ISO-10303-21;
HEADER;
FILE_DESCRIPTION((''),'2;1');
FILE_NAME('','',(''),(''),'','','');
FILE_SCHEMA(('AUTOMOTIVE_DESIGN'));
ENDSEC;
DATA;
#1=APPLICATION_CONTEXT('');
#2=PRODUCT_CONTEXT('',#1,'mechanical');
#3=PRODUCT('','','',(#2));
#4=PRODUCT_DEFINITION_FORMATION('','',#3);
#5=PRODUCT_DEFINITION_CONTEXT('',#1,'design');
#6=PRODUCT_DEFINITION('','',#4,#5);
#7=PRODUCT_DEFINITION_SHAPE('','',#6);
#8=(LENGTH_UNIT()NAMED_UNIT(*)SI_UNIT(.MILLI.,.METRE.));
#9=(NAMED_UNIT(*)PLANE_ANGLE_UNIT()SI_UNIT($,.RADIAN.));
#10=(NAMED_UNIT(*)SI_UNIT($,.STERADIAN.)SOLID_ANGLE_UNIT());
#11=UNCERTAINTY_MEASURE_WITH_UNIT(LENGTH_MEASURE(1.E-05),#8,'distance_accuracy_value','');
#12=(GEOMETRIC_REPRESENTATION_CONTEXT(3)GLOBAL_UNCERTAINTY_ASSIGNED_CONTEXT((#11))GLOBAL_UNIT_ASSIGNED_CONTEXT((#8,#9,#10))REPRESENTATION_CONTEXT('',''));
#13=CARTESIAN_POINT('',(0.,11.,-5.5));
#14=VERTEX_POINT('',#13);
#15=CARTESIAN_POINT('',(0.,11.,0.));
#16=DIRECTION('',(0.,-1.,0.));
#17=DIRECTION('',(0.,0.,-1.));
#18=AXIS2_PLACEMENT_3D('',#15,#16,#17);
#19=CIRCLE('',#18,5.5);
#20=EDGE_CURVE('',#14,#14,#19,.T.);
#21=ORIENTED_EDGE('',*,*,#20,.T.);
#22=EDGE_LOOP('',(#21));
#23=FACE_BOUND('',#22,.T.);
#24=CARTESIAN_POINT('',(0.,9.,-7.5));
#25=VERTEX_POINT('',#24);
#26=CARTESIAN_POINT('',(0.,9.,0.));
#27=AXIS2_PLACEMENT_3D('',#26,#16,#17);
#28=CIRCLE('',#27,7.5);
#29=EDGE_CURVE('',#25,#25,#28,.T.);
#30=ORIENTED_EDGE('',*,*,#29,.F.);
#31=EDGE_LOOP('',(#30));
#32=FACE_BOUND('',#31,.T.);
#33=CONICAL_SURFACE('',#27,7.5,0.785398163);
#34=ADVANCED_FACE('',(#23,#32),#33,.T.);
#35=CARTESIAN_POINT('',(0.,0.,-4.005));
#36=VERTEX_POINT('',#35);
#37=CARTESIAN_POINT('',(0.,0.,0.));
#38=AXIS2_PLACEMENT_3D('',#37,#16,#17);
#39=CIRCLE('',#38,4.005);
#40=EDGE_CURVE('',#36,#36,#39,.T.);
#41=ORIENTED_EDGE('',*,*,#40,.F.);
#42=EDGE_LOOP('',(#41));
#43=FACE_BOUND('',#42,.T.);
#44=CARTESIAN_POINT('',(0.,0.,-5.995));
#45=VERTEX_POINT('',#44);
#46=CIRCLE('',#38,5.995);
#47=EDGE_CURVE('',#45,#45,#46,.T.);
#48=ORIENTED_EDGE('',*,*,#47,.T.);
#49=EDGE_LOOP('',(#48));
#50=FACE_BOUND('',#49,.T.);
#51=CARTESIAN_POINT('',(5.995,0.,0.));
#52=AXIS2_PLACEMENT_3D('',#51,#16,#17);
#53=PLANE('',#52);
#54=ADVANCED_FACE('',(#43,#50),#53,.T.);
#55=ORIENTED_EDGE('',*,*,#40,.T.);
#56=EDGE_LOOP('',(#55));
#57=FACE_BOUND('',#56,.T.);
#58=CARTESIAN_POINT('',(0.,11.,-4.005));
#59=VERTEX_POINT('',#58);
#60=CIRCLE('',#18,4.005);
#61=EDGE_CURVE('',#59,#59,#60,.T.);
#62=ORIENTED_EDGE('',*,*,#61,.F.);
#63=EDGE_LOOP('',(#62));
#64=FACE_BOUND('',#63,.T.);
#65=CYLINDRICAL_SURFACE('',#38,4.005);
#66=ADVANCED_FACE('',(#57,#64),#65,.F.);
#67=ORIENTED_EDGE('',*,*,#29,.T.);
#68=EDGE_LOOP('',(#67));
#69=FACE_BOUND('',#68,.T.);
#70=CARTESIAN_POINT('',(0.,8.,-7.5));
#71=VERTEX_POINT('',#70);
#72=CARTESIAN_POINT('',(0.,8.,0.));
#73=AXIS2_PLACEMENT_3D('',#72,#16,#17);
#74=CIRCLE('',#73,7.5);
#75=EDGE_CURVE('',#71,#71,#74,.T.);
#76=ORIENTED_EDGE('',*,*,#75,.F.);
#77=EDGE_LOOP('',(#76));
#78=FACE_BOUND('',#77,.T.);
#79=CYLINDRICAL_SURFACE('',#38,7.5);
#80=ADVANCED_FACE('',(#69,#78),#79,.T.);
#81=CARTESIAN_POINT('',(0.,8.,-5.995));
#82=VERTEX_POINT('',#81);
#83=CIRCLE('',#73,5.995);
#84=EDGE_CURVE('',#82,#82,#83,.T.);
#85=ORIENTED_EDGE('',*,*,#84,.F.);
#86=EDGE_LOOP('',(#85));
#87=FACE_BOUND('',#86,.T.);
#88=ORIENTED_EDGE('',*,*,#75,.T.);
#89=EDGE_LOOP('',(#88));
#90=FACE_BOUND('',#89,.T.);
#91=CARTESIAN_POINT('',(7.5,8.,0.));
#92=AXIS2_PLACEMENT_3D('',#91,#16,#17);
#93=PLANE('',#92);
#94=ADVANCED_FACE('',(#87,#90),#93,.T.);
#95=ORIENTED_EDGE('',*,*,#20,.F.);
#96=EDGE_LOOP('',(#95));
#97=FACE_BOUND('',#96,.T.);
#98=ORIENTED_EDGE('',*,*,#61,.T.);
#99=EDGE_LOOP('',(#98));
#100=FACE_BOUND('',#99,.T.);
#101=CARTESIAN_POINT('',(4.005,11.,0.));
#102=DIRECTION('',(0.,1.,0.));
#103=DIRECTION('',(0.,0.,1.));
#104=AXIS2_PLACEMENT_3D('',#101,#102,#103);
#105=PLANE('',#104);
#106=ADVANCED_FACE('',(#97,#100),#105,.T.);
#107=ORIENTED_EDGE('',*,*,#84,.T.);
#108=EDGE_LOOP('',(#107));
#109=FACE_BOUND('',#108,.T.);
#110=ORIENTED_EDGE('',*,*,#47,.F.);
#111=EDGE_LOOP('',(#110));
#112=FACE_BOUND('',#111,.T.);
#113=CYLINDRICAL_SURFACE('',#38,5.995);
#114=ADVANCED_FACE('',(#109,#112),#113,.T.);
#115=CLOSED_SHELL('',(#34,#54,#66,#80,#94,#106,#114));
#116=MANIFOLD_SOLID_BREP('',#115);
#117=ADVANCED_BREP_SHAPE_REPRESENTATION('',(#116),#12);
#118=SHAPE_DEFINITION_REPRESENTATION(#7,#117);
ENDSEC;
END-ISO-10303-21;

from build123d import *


with BuildPart() as part:
    # Sketch1 → Revolve1 (revolve)
    with BuildSketch(Plane.XY):
        Polygon((4.005, 0), (4.005, 11), (5.5, 11), (7.5, 9), (7.5, 8), (5.995, 8), (5.995, 0), align=None)
    revolve(axis=Axis((0, 0, 0), (0, 1, 0)))


solid = part.part
